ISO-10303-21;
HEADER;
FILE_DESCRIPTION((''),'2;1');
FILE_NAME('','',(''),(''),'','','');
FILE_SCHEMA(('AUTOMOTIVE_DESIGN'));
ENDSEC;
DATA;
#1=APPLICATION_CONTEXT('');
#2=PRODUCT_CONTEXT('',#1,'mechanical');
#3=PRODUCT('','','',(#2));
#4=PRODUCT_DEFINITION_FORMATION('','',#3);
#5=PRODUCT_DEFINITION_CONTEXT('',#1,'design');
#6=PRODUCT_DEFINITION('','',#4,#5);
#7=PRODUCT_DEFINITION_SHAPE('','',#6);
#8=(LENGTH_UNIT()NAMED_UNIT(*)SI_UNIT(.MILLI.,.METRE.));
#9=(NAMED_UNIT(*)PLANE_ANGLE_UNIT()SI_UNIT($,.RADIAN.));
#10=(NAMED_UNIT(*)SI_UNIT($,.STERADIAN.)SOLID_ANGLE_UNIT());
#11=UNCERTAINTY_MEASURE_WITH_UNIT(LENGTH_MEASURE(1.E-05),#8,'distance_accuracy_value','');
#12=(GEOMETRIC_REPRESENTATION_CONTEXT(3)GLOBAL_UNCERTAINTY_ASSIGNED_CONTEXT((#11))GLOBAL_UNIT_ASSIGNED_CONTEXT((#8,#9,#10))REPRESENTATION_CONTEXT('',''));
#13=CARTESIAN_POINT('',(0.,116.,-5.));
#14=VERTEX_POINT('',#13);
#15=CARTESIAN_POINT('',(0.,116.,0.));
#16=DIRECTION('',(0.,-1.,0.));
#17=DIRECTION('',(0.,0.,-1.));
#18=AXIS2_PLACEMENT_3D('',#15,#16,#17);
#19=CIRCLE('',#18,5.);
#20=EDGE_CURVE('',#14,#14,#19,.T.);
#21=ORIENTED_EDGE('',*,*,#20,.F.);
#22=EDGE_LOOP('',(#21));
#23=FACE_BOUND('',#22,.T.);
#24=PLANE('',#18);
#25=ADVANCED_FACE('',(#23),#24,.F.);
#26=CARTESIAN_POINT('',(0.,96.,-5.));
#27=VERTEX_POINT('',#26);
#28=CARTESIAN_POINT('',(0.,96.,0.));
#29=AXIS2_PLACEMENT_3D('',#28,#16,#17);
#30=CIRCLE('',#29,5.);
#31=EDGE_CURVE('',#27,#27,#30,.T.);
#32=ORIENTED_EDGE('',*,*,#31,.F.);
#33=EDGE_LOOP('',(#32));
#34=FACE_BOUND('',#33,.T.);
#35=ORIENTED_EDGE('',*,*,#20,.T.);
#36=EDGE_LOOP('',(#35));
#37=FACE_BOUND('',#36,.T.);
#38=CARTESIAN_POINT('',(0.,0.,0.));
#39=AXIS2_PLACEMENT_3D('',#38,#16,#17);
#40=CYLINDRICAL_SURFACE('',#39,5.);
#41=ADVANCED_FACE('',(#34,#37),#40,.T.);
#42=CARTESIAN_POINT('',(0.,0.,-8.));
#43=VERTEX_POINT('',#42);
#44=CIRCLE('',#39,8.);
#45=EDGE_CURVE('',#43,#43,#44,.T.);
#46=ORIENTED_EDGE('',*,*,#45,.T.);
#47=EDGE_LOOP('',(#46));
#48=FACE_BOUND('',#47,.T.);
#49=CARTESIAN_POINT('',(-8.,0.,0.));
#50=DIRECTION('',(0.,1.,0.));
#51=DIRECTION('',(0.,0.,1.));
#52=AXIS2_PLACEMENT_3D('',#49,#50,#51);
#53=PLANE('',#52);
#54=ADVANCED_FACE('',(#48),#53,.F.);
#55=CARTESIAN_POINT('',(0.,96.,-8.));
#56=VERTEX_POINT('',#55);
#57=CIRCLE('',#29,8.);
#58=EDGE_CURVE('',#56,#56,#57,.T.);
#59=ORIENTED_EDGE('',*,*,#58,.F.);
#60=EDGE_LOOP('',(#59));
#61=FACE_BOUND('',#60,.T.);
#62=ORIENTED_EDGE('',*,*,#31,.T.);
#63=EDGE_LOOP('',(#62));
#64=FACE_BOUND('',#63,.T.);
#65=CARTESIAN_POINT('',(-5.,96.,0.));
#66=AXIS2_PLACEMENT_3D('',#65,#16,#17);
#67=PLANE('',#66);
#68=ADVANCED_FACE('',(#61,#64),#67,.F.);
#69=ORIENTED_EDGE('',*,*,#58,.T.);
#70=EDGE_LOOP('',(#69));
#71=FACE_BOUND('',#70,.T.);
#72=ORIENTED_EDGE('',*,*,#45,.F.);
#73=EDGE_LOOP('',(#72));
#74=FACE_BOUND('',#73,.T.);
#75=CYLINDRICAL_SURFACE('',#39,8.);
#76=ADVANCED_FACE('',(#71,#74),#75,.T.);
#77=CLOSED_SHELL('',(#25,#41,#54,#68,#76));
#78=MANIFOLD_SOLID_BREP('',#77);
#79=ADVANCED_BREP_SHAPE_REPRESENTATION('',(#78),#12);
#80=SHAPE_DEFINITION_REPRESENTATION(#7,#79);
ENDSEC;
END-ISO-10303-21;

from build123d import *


with BuildPart() as part:
    # Croquis1 → Revolución1 (revolve)
    with BuildSketch(Plane.XY, mode=Mode.PRIVATE) as revoluci_n1_sk:
        Polygon((0, 0), (0, 116), (-5, 116), (-5, 96), (-8, 96), (-8, 0), align=None)
    revolve(revoluci_n1_sk.sketch.rotate(Axis((0, 0, 0), (0, 1, 0)), 270), axis=Axis((0, 0, 0), (0, 1, 0)))


solid = part.part
